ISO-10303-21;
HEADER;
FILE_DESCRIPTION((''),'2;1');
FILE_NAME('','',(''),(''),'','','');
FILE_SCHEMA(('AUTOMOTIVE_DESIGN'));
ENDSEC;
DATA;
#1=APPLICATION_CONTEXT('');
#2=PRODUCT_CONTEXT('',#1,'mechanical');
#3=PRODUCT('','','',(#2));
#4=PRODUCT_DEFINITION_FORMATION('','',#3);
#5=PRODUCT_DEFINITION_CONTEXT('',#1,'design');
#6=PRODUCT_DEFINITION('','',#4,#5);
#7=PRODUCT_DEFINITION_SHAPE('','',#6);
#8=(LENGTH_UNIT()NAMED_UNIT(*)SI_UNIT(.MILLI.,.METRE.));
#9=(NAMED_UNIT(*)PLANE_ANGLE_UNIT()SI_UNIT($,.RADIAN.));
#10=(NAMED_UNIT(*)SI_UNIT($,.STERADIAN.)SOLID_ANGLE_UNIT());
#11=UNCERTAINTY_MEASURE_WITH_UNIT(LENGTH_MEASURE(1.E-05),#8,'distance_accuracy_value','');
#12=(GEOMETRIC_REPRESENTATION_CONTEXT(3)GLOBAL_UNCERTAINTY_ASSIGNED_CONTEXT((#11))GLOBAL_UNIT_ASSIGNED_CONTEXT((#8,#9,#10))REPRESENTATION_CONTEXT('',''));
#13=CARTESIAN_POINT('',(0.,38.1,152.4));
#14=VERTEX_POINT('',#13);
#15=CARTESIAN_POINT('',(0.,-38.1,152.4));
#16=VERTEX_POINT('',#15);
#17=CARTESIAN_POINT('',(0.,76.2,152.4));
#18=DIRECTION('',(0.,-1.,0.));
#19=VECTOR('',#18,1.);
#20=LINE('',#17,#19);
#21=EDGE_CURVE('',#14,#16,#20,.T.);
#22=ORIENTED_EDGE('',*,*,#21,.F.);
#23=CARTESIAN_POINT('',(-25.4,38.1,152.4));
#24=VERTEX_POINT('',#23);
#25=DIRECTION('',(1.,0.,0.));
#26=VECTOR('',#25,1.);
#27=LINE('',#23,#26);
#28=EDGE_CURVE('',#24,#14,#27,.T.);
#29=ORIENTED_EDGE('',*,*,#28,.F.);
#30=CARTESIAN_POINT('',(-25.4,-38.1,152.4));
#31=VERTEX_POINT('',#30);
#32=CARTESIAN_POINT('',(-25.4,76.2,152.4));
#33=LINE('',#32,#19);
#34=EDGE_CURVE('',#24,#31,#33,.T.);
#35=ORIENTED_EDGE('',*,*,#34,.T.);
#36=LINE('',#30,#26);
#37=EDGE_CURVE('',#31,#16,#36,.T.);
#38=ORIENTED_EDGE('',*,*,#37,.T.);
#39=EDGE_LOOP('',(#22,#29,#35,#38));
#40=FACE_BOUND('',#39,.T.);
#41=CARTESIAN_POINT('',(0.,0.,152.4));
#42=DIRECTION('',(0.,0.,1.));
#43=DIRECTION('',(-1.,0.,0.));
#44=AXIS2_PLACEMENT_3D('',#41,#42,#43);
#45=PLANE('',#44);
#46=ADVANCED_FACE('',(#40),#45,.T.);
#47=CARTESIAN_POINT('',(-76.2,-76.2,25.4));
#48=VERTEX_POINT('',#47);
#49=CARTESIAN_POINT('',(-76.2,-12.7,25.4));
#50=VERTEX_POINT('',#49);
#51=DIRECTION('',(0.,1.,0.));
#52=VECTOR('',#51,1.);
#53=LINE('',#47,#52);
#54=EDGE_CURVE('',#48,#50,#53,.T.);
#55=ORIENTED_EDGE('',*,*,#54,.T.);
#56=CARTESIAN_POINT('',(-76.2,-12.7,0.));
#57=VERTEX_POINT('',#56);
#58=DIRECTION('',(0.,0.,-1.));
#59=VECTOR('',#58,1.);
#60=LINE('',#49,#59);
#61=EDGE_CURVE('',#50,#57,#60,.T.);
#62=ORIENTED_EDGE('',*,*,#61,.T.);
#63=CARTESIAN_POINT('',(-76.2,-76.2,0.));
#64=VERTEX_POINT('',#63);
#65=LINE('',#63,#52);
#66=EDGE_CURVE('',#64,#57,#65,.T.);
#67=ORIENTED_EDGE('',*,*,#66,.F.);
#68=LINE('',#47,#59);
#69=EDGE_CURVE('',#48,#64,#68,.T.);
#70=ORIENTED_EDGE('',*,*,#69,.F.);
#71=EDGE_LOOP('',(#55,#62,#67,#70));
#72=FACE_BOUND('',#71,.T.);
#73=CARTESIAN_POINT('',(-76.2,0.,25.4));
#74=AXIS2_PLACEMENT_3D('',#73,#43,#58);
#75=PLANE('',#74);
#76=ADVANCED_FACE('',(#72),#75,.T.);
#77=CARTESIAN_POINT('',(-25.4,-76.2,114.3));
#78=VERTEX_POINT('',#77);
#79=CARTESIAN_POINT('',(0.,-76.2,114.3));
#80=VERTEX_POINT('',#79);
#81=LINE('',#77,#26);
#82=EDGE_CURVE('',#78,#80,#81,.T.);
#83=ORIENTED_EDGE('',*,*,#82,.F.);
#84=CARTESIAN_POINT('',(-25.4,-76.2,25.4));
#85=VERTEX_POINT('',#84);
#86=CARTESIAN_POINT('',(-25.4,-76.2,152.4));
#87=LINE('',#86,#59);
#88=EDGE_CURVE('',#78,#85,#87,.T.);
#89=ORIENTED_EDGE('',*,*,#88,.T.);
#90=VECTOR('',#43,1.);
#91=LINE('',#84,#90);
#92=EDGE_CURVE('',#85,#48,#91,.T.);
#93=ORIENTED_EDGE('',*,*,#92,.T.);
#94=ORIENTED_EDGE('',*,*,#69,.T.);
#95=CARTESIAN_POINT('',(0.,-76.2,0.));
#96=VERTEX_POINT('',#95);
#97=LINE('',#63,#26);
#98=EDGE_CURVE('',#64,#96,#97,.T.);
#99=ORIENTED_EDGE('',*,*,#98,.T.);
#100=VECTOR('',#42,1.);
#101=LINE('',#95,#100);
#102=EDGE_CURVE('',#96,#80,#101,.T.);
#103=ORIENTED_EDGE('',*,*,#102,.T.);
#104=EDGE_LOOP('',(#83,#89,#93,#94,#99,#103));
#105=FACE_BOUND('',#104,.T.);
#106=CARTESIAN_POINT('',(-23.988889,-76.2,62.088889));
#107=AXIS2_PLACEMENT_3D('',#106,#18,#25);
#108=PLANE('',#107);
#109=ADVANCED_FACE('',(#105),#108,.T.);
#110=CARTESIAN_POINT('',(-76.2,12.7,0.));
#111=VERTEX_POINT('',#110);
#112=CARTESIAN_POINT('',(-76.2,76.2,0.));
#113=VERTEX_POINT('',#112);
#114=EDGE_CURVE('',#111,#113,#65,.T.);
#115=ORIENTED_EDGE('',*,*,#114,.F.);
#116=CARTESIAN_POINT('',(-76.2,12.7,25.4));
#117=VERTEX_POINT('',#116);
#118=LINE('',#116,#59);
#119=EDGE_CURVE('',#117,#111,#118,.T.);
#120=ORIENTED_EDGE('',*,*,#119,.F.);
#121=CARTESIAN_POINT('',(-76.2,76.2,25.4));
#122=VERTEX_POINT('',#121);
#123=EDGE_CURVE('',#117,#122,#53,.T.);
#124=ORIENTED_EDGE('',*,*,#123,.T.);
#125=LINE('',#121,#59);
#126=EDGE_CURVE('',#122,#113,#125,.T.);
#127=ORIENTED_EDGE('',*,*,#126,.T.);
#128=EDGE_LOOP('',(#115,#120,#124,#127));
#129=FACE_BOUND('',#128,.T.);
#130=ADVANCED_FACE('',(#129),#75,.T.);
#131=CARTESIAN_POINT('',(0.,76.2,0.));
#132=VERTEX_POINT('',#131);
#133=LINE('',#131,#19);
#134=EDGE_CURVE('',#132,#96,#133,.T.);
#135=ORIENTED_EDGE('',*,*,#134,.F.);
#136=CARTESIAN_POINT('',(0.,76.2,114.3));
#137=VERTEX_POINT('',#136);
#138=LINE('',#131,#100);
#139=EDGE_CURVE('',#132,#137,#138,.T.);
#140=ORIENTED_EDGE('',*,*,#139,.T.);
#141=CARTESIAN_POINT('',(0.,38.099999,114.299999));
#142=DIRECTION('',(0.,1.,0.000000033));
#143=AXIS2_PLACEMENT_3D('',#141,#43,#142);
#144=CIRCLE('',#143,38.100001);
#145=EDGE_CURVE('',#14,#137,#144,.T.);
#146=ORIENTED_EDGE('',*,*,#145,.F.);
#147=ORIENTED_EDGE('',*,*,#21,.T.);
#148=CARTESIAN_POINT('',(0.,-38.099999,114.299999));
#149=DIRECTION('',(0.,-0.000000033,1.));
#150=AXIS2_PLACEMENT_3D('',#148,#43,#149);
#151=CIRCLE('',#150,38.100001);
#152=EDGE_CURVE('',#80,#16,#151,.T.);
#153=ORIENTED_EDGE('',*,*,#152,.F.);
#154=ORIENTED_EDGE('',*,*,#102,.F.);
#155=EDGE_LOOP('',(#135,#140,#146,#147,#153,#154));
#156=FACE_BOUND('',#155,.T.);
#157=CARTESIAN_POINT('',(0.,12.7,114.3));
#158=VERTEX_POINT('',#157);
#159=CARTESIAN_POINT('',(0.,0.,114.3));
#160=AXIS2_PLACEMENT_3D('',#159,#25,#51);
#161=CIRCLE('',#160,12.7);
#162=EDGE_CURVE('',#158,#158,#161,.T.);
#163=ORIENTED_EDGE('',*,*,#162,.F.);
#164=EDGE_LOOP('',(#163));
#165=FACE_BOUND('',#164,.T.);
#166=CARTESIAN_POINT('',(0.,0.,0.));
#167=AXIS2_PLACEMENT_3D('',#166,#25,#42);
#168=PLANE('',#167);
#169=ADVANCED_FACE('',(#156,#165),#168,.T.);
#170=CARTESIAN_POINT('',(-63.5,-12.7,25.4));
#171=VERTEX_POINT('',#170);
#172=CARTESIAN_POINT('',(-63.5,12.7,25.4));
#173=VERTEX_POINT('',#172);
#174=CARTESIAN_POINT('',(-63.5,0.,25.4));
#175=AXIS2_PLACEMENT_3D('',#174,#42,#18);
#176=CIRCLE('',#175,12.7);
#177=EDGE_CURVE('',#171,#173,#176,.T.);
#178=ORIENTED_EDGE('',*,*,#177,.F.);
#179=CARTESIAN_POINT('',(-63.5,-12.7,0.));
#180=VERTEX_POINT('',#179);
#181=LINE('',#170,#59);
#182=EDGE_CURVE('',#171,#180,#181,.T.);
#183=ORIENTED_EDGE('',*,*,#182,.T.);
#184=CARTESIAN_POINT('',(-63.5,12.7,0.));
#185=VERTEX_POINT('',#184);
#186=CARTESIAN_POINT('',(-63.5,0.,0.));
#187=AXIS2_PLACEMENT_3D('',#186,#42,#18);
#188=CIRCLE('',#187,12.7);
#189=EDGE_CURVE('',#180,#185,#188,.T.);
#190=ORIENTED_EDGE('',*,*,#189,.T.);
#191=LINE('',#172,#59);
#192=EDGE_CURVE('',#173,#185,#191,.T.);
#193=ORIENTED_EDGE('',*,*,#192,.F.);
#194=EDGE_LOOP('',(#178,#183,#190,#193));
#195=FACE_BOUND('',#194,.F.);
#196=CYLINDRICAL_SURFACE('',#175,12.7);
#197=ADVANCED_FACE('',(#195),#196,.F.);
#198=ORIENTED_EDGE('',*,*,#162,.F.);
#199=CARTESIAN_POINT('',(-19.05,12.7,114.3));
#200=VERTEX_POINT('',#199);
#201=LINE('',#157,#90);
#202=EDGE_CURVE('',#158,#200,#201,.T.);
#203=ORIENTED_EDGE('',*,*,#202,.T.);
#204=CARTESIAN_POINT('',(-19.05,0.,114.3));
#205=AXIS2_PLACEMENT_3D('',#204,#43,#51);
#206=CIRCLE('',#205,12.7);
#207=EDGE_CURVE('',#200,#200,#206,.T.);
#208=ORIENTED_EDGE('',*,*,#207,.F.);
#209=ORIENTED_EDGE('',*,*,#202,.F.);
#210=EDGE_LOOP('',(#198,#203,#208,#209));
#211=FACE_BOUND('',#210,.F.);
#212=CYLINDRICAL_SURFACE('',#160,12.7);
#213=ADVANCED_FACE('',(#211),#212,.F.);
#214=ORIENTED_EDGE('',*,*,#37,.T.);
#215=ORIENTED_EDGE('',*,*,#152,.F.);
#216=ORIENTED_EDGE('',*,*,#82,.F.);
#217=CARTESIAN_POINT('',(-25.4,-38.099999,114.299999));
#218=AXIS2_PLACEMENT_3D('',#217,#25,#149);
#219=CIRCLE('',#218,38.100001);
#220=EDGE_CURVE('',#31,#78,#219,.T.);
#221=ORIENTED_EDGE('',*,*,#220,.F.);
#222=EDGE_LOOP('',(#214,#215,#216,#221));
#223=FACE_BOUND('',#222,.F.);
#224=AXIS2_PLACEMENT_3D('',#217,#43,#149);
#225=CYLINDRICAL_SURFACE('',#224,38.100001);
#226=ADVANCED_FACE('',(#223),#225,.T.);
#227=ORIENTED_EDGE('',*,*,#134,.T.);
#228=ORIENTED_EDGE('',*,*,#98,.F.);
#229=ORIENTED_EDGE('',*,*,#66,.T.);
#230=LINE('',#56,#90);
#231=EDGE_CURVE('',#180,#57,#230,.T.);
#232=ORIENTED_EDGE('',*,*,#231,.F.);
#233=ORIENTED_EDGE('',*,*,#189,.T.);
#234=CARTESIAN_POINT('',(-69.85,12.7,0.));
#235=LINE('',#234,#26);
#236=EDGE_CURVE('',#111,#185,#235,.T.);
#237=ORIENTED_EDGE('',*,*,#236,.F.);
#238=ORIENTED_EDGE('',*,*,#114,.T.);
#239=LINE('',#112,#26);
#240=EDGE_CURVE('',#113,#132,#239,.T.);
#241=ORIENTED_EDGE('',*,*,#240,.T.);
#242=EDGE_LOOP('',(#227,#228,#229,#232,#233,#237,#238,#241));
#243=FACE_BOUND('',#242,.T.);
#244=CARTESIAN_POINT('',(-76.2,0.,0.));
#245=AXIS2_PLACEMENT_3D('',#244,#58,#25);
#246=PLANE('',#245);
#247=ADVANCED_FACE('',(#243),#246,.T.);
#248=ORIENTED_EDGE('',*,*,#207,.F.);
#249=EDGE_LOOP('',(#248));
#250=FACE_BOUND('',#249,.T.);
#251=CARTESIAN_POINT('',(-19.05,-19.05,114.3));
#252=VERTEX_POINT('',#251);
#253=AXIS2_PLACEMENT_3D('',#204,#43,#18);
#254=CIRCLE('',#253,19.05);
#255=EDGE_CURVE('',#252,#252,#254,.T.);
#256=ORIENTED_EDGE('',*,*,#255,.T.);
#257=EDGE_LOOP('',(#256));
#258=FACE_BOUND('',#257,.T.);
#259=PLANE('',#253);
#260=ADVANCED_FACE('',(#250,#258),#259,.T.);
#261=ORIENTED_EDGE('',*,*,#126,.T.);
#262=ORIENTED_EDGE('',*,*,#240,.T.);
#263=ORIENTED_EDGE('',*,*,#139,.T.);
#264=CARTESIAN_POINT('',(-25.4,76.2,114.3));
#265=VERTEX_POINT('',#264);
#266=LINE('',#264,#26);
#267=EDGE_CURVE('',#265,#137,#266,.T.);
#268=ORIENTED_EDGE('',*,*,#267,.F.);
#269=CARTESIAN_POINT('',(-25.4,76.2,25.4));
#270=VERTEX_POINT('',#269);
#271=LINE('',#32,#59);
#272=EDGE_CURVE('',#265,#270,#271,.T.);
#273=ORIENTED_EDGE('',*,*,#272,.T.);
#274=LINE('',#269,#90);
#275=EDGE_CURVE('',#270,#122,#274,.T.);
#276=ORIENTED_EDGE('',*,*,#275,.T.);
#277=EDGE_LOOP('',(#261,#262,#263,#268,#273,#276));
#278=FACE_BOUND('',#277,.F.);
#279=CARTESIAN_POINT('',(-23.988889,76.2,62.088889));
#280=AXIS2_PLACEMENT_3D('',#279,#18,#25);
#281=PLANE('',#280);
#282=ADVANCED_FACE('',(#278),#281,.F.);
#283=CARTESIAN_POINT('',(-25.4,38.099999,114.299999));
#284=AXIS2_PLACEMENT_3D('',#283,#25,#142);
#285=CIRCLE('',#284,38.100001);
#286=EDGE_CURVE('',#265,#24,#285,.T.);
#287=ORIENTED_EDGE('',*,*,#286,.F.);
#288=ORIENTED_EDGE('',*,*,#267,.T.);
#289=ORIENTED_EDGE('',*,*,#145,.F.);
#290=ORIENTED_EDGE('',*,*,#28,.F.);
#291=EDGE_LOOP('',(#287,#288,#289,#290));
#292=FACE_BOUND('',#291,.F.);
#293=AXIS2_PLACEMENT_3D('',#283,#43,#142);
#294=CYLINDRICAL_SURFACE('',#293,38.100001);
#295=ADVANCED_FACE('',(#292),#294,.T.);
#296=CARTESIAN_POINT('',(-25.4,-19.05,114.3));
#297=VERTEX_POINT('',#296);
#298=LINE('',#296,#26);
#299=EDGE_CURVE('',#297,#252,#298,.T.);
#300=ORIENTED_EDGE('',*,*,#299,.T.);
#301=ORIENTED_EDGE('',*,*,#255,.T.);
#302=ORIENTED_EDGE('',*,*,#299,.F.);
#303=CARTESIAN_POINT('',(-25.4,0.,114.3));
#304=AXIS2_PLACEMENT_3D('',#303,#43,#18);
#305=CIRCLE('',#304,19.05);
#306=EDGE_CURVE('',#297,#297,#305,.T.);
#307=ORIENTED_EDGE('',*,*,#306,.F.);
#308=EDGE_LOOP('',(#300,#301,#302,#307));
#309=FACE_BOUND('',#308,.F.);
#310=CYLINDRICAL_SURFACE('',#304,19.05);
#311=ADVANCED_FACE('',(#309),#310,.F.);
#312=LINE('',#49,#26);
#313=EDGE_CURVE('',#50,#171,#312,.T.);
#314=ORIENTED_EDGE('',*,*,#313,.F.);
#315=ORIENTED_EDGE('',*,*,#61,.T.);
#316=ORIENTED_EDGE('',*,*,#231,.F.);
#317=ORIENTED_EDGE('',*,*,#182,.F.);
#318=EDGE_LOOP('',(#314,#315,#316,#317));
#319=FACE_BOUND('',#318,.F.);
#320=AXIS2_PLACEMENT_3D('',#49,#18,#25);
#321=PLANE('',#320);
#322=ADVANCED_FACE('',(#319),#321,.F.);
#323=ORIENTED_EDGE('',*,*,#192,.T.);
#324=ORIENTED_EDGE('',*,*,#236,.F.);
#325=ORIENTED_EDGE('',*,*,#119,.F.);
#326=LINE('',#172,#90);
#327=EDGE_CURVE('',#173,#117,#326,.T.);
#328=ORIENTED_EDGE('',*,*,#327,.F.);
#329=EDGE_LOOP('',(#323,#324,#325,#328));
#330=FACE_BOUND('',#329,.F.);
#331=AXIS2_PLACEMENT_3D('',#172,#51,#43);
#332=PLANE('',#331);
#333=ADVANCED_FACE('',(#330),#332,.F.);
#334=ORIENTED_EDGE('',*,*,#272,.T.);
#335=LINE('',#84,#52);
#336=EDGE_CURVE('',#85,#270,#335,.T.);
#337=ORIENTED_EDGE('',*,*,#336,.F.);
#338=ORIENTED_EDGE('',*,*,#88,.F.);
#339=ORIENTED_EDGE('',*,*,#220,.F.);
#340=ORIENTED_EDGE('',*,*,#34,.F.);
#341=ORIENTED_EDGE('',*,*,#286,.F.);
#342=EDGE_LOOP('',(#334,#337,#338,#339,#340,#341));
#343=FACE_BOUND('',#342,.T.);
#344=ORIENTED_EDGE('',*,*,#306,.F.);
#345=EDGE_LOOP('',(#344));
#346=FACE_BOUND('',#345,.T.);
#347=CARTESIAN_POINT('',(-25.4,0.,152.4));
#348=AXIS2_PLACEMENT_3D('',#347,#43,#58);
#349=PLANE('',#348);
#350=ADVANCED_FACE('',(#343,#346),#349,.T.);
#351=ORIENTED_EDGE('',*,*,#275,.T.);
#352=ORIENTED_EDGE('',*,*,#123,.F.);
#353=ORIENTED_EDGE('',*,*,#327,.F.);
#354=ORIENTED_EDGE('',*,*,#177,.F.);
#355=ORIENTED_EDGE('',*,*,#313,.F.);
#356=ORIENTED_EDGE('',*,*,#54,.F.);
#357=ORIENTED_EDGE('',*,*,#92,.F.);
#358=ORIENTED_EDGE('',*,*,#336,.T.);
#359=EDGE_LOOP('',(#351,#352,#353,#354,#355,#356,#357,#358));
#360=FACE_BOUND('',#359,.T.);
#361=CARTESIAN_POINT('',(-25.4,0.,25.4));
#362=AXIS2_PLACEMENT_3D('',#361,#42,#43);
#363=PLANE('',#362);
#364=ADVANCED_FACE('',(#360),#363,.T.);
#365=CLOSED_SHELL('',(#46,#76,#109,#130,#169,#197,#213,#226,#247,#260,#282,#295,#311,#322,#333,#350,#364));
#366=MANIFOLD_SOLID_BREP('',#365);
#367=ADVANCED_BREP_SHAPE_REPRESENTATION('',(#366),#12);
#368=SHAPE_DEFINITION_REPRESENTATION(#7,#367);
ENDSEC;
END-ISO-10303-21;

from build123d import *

# Parameters (mm, degrees)
F1_DEPTH = 76.2
F2_R     = 12.7
F3_DEPTH = 76.201
F5_DEPTH = 25.401
F6_R     = 19.05
F6_R_2   = 12.7
F7_DEPTH = 6.35
F9_DEPTH = 25.401


with BuildPart() as f1:
    # F0 (on Front) → F1 (new body, symmetric)
    with BuildSketch(Plane.XZ):
        Polygon((-76.2, 0), (0, 0), (0, 152.4), (-25.4, 152.4), (-25.4, 25.4), (-76.2, 25.4), align=None)
    extrude(amount=F1_DEPTH, both=True)

    # F2 (on face) → F3 (cut, through all)
    with BuildSketch(Plane.YZ):
        with Locations((0, 114.3)):
            Circle(F2_R)
    extrude(amount=-F3_DEPTH, mode=Mode.SUBTRACT)

    # F4 (on face) → F5 (cut, through all)
    with BuildSketch(Plane.XY.offset(25.4)):
        with BuildLine():
            ThreePointArc((-63.5, -12.7), (-50.8, 0), (-63.5, 12.7))
            Line((-63.5, 12.7), (-76.2, 12.7))
            Line((-76.2, 12.7), (-76.2, -12.7))
            Line((-76.2, -12.7), (-63.5, -12.7))
        make_face()
    extrude(amount=-F5_DEPTH, mode=Mode.SUBTRACT)

    # F6 (on face) → F7 (cut)
    with BuildSketch(Plane(origin=(-25.4, 0, 0), x_dir=(0, -1, 0), z_dir=(-1, 0, 0))):
        with Locations((0, 114.3)):
            Circle(F6_R)
        with Locations((0, 114.3)):
            Circle(F6_R_2, mode=Mode.SUBTRACT)
    extrude(amount=-F7_DEPTH, mode=Mode.SUBTRACT)

    # F8 (on face) → F9 (cut, through all)
    with BuildSketch(Plane(origin=(-25.4, 0, 0), x_dir=(0, -1, 0), z_dir=(-1, 0, 0))):
        with BuildLine():
            ThreePointArc((-76.2, 114.3), (-65.040768, 141.240768), (-38.1, 152.4))
            Line((-38.1, 152.4), (-76.2, 152.4))
            Line((-76.2, 152.4), (-76.2, 114.3))
        make_face()
        with BuildLine():
            ThreePointArc((38.1, 152.4), (65.040768, 141.240768), (76.2, 114.3))
            Line((76.2, 114.3), (76.2, 152.4))
            Line((76.2, 152.4), (38.1, 152.4))
        make_face()
    extrude(amount=-F9_DEPTH, mode=Mode.SUBTRACT)


solid = f1.part
